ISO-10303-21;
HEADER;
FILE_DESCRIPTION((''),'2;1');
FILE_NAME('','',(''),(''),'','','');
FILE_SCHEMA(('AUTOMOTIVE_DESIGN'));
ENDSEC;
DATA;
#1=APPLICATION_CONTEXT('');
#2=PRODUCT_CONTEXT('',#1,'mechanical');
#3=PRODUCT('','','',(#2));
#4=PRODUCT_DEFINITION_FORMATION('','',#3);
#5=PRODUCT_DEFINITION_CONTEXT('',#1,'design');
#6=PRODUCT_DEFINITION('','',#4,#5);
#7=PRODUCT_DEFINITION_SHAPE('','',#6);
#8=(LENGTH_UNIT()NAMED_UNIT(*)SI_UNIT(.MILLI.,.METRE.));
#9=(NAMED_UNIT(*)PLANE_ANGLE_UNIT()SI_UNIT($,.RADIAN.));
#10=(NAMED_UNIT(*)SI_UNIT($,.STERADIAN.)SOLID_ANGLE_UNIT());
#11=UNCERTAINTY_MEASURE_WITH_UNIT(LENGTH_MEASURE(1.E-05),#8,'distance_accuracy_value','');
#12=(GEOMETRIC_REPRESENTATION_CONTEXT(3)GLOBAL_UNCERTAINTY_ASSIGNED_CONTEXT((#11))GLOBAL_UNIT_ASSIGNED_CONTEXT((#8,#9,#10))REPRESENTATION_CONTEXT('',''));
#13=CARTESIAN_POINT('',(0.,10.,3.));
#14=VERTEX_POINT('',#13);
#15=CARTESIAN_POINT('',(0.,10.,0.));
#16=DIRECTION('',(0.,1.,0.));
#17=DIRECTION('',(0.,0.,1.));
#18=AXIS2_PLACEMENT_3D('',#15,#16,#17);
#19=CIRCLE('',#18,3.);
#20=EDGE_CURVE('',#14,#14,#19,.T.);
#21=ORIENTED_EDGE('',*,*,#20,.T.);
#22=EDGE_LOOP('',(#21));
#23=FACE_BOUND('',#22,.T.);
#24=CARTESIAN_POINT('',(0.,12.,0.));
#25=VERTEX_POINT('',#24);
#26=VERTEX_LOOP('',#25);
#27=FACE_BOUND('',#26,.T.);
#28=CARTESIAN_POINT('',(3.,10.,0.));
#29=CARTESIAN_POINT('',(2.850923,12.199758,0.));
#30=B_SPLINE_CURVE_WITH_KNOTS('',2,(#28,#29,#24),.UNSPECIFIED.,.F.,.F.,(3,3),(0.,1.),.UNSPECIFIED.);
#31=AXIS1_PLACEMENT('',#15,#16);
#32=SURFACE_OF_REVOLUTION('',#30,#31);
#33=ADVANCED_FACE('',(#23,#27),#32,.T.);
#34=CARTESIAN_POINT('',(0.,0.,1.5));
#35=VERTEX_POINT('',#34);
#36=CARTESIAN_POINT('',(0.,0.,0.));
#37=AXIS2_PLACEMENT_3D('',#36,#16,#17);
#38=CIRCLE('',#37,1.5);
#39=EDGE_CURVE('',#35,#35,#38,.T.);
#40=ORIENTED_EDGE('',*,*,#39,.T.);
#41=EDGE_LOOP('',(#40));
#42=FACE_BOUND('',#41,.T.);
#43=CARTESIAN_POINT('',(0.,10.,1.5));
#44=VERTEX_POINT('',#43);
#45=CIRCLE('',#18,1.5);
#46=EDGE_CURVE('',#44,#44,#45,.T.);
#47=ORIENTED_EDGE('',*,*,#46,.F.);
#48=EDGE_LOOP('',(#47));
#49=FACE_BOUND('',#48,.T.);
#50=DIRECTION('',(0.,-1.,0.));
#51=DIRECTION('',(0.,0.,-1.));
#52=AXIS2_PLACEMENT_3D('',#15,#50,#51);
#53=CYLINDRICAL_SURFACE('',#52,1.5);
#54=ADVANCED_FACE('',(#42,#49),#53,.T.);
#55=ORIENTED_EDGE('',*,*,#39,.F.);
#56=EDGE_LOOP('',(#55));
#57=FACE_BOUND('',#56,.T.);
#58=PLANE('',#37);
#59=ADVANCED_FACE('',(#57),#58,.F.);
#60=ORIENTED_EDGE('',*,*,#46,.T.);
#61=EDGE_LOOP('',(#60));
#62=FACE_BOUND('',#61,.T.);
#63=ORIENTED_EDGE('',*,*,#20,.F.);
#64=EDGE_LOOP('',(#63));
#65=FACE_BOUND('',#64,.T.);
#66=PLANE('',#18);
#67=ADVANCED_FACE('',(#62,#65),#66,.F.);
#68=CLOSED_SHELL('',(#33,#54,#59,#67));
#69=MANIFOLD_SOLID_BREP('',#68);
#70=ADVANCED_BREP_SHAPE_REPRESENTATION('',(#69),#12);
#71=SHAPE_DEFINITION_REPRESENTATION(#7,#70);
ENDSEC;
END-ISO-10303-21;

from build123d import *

# Parameters (mm, degrees)
SKETCH_2_R      = 1.5
EXTRUDE_1_DEPTH = 10


with BuildPart() as part:
    # ｽｹｯﾁ2 → ﾎﾞｽ - 押し出し1 (new body)
    with BuildSketch(Plane(origin=(0, 0, 0), x_dir=(1, 0, 0), z_dir=(0, 1, 0))):
        with Locations(Location((0, 0, 0), (0, 0, 270))):
            Circle(SKETCH_2_R)
    extrude(amount=EXTRUDE_1_DEPTH)

    # ｽｹｯﾁ4 → 回転1 (revolve)
    with BuildSketch(Plane.XY):
        with BuildLine():
            Line((0, 10), (3, 10))
            add(Edge.make_bspline(
                [(0, 12), (2.850923329, 12.199757549), (3, 10)],
                knots=[0, 0, 0, 1, 1, 1], degree=2))
            Line((0, 12), (0, 10))
        make_face()
    revolve(axis=Axis((0, 10, 0), (0, -1, 0)))


solid = part.part
